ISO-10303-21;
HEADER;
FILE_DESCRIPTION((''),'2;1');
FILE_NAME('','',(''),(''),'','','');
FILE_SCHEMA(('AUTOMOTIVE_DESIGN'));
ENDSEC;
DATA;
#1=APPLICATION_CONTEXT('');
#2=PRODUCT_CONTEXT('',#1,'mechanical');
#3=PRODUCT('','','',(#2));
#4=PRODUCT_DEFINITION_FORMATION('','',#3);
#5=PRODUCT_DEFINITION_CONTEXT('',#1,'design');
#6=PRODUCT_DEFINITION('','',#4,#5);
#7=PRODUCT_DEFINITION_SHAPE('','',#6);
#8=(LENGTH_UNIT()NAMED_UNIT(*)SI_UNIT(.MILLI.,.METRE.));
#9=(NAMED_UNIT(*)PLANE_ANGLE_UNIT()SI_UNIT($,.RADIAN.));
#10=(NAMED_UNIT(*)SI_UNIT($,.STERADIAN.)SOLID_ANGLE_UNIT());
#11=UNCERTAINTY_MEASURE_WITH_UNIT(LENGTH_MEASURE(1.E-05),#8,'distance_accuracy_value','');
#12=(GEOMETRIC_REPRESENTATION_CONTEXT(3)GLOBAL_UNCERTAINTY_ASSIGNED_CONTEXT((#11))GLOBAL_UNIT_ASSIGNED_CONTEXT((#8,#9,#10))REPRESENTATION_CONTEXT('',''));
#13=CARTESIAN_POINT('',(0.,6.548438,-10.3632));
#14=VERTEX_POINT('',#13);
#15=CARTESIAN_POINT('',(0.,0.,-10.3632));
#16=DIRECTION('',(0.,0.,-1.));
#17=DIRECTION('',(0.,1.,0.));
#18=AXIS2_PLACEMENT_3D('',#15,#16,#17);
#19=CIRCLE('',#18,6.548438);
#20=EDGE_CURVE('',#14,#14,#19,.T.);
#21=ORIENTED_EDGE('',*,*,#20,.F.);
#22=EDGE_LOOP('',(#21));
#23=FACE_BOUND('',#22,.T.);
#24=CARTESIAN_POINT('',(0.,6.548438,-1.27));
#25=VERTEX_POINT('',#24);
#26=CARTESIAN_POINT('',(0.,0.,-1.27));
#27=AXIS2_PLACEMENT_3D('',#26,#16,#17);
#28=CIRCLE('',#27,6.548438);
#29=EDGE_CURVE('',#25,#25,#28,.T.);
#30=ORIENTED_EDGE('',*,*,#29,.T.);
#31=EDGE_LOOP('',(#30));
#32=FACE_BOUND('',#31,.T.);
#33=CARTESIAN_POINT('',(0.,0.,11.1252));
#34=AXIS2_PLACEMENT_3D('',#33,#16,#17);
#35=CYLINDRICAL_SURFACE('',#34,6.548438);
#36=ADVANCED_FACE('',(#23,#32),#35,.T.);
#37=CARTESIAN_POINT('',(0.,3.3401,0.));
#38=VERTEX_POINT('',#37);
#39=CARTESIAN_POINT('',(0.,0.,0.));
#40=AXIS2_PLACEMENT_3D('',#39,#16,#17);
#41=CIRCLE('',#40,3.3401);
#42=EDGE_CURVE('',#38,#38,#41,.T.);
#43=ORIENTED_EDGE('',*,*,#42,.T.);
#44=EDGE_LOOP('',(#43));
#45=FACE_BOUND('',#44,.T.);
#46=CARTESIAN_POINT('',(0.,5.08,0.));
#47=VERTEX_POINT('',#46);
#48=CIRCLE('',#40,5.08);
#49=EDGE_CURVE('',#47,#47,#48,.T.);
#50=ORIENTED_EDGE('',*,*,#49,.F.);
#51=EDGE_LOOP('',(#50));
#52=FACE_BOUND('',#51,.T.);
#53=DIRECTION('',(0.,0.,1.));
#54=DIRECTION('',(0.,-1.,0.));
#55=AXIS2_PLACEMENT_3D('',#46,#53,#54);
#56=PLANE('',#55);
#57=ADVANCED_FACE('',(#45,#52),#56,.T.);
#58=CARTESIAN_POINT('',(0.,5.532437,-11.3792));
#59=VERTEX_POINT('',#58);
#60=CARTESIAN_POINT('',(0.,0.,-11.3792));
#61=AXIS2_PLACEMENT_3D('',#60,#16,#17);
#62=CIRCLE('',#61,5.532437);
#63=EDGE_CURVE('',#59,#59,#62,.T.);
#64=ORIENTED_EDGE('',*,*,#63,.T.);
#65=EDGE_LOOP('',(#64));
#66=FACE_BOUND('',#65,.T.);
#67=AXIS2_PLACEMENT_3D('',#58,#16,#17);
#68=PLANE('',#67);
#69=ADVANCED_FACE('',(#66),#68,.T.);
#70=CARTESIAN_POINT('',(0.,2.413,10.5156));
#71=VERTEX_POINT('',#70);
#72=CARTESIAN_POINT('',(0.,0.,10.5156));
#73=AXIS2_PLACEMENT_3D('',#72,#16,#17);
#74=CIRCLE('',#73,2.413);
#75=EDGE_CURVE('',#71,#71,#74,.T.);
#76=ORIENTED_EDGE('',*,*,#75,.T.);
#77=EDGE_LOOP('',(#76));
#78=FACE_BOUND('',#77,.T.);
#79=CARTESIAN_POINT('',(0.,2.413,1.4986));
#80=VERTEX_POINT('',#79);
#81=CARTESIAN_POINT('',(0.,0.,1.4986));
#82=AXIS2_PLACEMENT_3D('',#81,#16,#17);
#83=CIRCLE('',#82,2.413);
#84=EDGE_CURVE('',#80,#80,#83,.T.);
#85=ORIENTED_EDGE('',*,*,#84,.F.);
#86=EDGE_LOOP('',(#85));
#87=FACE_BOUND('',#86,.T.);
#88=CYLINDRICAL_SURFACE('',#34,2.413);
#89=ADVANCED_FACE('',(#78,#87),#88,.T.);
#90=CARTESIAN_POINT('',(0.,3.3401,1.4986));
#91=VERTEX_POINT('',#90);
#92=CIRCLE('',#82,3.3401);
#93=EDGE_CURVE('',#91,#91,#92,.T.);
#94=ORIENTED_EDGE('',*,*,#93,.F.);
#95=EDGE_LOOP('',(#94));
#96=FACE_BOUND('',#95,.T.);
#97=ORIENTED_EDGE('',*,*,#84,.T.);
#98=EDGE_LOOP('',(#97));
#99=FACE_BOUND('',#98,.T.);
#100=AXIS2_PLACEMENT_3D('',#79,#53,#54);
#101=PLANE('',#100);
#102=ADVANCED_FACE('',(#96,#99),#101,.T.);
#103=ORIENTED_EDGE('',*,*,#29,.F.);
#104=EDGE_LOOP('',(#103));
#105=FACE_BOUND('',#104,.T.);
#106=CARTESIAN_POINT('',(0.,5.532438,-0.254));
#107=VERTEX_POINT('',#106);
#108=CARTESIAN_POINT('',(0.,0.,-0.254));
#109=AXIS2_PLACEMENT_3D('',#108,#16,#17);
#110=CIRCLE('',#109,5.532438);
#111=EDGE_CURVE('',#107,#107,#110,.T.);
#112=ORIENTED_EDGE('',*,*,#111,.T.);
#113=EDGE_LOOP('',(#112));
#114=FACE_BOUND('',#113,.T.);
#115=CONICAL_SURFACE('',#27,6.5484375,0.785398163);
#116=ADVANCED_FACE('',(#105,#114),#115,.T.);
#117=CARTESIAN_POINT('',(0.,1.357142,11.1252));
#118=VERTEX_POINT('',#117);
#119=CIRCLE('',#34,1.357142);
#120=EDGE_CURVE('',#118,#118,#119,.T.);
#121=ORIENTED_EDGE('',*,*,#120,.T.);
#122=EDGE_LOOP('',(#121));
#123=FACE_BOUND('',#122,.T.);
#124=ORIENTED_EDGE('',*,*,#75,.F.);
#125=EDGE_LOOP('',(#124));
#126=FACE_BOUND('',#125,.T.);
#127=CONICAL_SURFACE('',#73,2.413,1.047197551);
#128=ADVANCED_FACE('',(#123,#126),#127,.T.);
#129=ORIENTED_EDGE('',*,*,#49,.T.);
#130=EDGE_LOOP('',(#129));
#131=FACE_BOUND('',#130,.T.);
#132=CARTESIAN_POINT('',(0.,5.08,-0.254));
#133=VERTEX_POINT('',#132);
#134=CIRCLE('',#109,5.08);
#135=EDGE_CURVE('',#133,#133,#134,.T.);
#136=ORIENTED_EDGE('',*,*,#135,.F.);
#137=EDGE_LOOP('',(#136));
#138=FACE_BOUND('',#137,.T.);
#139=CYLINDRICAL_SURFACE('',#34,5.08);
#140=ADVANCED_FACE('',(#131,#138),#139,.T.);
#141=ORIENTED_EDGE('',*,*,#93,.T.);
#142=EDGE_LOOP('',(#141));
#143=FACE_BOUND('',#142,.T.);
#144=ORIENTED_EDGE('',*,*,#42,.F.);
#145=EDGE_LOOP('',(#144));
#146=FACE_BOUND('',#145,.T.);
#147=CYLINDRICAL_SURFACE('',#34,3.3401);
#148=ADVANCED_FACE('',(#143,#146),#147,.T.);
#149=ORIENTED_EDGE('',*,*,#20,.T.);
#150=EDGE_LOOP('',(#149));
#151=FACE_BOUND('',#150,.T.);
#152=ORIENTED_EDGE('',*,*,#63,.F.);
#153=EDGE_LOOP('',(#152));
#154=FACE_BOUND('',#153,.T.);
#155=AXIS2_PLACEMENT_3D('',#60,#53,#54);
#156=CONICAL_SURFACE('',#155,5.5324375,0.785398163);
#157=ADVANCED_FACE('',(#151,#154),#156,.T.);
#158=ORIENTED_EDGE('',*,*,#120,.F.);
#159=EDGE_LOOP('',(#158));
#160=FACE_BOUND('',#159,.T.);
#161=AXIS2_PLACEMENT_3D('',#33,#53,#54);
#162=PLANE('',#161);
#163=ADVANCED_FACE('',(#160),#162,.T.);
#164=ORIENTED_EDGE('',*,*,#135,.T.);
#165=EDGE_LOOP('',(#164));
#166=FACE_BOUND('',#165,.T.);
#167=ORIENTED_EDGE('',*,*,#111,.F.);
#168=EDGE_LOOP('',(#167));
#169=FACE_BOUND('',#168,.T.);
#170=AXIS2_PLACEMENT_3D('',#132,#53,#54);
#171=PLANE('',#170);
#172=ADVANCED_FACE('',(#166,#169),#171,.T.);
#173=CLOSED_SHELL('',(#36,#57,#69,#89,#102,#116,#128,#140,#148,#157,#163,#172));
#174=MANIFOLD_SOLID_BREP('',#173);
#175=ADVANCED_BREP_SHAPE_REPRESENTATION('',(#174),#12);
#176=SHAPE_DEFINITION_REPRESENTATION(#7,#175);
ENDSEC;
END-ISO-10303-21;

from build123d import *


with BuildPart() as part:
    # Sketch1 → Revolve1 (revolve)
    with BuildSketch(Plane(origin=(0, 0, 0), x_dir=(0, 0, -1), z_dir=(1, 0, 0))):
        Polygon((-1.4986, 2.413), (-1.4986, 3.3401), (0, 3.3401), (0, 5.08), (0.254, 5.08), (0.254, 5.5324375), (1.27, 6.5484375), (10.3632, 6.5484375), (11.3792, 5.5324375), (11.3792, 0), (-11.1252, 0), (-11.1252, 1.357141828), (-10.5156, 2.413), align=None)
    revolve(axis=Axis((0, 0, 11.1252), (0, 0, 1)))


solid = part.part
